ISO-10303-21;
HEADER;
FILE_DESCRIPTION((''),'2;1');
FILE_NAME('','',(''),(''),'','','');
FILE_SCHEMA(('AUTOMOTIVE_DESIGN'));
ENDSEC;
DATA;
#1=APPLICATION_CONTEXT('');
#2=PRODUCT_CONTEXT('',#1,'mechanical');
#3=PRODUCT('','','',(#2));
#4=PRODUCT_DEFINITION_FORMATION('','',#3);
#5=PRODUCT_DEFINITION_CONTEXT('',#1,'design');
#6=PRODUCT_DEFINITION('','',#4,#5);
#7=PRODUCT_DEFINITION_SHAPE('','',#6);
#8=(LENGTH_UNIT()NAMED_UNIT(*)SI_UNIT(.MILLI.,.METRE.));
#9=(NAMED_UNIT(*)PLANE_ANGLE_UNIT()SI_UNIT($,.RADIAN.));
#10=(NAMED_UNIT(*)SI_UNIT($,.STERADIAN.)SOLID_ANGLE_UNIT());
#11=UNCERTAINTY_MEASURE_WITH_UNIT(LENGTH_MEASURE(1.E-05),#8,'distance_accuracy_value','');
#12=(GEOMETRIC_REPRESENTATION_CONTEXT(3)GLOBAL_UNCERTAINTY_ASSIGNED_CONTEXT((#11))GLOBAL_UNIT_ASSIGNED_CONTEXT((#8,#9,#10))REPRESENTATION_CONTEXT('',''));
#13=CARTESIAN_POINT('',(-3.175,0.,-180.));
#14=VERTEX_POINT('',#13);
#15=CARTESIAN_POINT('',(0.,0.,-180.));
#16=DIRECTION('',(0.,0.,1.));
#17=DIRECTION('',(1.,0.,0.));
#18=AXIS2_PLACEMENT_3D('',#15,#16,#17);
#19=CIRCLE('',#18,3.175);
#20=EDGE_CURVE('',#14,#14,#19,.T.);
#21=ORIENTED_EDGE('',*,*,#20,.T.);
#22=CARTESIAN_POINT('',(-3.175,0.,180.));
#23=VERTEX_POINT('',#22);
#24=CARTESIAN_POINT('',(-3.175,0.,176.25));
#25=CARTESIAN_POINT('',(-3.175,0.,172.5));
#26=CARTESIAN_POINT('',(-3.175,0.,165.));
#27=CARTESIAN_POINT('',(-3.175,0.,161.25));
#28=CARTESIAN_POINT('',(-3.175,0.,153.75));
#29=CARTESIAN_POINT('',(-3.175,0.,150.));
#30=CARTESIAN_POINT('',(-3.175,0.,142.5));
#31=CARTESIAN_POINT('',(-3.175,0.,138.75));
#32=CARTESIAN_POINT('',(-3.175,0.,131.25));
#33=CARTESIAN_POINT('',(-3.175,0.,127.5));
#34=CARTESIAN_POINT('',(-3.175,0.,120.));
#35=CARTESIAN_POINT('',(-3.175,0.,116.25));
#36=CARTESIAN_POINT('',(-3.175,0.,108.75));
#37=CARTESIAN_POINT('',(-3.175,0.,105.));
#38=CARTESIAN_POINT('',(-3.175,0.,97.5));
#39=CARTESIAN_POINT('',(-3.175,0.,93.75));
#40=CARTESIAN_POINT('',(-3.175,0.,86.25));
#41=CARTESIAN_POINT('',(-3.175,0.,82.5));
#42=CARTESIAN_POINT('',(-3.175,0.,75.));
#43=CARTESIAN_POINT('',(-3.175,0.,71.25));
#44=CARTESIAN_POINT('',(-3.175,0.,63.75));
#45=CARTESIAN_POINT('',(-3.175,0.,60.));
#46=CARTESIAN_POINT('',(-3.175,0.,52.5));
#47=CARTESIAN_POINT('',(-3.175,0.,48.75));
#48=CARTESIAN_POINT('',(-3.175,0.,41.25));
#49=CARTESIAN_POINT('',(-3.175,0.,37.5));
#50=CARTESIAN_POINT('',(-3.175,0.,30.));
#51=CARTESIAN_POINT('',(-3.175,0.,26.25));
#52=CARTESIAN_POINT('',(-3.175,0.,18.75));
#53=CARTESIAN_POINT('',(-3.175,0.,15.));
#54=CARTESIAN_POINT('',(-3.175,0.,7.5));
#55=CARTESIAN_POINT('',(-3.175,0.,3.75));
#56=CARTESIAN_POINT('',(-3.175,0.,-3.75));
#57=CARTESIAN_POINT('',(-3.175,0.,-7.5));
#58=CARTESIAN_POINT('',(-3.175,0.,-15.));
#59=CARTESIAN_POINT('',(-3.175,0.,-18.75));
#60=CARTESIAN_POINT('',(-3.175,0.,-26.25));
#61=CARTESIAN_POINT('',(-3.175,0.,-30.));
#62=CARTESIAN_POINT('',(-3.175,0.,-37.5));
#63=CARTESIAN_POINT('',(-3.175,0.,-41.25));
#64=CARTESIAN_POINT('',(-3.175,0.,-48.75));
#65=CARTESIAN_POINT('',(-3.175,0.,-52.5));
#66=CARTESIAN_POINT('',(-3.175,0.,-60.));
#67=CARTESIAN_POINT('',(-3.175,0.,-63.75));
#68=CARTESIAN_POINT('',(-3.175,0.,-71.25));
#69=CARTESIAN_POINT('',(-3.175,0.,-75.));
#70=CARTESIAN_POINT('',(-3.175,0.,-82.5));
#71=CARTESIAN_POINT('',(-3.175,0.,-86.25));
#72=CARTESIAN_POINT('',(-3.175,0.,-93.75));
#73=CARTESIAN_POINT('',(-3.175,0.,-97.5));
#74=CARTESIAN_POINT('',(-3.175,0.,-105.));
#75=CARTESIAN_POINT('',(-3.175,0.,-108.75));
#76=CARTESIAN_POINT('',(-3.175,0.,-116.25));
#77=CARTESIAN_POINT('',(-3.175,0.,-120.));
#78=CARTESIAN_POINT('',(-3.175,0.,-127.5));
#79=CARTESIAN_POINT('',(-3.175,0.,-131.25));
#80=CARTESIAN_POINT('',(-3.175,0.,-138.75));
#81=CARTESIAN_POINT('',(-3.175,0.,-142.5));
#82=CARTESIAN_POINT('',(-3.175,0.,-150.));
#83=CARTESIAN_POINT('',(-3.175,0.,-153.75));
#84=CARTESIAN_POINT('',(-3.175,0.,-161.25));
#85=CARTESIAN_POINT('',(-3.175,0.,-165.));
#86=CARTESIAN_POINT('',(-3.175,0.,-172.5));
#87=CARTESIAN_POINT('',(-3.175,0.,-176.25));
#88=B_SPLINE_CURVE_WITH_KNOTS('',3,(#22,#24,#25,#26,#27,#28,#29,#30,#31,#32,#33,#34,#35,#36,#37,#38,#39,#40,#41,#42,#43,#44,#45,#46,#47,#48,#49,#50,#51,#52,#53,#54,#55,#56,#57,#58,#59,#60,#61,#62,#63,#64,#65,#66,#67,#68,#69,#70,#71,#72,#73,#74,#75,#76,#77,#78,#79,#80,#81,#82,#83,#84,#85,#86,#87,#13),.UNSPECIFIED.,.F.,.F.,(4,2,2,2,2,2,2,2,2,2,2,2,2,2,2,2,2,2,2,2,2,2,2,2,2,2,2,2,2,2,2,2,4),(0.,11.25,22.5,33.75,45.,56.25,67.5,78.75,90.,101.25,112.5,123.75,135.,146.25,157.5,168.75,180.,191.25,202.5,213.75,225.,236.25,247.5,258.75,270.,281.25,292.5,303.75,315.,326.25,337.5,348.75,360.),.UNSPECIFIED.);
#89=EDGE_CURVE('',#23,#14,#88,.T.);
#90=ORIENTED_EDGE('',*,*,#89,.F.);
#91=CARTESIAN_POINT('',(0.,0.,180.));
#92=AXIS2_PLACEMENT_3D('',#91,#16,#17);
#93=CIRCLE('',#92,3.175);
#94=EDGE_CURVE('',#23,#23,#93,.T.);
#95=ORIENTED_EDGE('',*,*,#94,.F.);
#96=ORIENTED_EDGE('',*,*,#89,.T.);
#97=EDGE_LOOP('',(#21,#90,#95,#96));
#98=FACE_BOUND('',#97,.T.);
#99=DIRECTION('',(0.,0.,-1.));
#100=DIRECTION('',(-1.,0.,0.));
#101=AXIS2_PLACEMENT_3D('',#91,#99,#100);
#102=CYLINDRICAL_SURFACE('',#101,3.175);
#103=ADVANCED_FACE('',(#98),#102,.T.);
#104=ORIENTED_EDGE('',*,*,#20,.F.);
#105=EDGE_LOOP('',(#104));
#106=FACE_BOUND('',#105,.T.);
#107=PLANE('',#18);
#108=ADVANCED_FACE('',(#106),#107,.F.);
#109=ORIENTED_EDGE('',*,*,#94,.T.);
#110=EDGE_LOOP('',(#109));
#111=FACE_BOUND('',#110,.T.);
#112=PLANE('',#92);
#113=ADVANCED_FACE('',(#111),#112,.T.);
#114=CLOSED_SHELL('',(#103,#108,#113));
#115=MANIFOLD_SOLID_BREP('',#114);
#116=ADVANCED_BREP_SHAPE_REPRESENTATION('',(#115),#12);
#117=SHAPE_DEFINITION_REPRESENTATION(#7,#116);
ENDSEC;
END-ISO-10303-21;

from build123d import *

# Parameters (mm, degrees)
CROQUIS1_R              = 3.175
SALIENTE_EXTRUIR1_DEPTH = 180


with BuildPart() as part:
    # Croquis1 → Saliente-Extruir1 (new, symmetric)
    with BuildSketch(Plane.XY):
        with Locations(Location((0, 0, 0), (0, 0, 180))):
            Circle(CROQUIS1_R)
    extrude(amount=SALIENTE_EXTRUIR1_DEPTH, both=True)


solid = part.part
